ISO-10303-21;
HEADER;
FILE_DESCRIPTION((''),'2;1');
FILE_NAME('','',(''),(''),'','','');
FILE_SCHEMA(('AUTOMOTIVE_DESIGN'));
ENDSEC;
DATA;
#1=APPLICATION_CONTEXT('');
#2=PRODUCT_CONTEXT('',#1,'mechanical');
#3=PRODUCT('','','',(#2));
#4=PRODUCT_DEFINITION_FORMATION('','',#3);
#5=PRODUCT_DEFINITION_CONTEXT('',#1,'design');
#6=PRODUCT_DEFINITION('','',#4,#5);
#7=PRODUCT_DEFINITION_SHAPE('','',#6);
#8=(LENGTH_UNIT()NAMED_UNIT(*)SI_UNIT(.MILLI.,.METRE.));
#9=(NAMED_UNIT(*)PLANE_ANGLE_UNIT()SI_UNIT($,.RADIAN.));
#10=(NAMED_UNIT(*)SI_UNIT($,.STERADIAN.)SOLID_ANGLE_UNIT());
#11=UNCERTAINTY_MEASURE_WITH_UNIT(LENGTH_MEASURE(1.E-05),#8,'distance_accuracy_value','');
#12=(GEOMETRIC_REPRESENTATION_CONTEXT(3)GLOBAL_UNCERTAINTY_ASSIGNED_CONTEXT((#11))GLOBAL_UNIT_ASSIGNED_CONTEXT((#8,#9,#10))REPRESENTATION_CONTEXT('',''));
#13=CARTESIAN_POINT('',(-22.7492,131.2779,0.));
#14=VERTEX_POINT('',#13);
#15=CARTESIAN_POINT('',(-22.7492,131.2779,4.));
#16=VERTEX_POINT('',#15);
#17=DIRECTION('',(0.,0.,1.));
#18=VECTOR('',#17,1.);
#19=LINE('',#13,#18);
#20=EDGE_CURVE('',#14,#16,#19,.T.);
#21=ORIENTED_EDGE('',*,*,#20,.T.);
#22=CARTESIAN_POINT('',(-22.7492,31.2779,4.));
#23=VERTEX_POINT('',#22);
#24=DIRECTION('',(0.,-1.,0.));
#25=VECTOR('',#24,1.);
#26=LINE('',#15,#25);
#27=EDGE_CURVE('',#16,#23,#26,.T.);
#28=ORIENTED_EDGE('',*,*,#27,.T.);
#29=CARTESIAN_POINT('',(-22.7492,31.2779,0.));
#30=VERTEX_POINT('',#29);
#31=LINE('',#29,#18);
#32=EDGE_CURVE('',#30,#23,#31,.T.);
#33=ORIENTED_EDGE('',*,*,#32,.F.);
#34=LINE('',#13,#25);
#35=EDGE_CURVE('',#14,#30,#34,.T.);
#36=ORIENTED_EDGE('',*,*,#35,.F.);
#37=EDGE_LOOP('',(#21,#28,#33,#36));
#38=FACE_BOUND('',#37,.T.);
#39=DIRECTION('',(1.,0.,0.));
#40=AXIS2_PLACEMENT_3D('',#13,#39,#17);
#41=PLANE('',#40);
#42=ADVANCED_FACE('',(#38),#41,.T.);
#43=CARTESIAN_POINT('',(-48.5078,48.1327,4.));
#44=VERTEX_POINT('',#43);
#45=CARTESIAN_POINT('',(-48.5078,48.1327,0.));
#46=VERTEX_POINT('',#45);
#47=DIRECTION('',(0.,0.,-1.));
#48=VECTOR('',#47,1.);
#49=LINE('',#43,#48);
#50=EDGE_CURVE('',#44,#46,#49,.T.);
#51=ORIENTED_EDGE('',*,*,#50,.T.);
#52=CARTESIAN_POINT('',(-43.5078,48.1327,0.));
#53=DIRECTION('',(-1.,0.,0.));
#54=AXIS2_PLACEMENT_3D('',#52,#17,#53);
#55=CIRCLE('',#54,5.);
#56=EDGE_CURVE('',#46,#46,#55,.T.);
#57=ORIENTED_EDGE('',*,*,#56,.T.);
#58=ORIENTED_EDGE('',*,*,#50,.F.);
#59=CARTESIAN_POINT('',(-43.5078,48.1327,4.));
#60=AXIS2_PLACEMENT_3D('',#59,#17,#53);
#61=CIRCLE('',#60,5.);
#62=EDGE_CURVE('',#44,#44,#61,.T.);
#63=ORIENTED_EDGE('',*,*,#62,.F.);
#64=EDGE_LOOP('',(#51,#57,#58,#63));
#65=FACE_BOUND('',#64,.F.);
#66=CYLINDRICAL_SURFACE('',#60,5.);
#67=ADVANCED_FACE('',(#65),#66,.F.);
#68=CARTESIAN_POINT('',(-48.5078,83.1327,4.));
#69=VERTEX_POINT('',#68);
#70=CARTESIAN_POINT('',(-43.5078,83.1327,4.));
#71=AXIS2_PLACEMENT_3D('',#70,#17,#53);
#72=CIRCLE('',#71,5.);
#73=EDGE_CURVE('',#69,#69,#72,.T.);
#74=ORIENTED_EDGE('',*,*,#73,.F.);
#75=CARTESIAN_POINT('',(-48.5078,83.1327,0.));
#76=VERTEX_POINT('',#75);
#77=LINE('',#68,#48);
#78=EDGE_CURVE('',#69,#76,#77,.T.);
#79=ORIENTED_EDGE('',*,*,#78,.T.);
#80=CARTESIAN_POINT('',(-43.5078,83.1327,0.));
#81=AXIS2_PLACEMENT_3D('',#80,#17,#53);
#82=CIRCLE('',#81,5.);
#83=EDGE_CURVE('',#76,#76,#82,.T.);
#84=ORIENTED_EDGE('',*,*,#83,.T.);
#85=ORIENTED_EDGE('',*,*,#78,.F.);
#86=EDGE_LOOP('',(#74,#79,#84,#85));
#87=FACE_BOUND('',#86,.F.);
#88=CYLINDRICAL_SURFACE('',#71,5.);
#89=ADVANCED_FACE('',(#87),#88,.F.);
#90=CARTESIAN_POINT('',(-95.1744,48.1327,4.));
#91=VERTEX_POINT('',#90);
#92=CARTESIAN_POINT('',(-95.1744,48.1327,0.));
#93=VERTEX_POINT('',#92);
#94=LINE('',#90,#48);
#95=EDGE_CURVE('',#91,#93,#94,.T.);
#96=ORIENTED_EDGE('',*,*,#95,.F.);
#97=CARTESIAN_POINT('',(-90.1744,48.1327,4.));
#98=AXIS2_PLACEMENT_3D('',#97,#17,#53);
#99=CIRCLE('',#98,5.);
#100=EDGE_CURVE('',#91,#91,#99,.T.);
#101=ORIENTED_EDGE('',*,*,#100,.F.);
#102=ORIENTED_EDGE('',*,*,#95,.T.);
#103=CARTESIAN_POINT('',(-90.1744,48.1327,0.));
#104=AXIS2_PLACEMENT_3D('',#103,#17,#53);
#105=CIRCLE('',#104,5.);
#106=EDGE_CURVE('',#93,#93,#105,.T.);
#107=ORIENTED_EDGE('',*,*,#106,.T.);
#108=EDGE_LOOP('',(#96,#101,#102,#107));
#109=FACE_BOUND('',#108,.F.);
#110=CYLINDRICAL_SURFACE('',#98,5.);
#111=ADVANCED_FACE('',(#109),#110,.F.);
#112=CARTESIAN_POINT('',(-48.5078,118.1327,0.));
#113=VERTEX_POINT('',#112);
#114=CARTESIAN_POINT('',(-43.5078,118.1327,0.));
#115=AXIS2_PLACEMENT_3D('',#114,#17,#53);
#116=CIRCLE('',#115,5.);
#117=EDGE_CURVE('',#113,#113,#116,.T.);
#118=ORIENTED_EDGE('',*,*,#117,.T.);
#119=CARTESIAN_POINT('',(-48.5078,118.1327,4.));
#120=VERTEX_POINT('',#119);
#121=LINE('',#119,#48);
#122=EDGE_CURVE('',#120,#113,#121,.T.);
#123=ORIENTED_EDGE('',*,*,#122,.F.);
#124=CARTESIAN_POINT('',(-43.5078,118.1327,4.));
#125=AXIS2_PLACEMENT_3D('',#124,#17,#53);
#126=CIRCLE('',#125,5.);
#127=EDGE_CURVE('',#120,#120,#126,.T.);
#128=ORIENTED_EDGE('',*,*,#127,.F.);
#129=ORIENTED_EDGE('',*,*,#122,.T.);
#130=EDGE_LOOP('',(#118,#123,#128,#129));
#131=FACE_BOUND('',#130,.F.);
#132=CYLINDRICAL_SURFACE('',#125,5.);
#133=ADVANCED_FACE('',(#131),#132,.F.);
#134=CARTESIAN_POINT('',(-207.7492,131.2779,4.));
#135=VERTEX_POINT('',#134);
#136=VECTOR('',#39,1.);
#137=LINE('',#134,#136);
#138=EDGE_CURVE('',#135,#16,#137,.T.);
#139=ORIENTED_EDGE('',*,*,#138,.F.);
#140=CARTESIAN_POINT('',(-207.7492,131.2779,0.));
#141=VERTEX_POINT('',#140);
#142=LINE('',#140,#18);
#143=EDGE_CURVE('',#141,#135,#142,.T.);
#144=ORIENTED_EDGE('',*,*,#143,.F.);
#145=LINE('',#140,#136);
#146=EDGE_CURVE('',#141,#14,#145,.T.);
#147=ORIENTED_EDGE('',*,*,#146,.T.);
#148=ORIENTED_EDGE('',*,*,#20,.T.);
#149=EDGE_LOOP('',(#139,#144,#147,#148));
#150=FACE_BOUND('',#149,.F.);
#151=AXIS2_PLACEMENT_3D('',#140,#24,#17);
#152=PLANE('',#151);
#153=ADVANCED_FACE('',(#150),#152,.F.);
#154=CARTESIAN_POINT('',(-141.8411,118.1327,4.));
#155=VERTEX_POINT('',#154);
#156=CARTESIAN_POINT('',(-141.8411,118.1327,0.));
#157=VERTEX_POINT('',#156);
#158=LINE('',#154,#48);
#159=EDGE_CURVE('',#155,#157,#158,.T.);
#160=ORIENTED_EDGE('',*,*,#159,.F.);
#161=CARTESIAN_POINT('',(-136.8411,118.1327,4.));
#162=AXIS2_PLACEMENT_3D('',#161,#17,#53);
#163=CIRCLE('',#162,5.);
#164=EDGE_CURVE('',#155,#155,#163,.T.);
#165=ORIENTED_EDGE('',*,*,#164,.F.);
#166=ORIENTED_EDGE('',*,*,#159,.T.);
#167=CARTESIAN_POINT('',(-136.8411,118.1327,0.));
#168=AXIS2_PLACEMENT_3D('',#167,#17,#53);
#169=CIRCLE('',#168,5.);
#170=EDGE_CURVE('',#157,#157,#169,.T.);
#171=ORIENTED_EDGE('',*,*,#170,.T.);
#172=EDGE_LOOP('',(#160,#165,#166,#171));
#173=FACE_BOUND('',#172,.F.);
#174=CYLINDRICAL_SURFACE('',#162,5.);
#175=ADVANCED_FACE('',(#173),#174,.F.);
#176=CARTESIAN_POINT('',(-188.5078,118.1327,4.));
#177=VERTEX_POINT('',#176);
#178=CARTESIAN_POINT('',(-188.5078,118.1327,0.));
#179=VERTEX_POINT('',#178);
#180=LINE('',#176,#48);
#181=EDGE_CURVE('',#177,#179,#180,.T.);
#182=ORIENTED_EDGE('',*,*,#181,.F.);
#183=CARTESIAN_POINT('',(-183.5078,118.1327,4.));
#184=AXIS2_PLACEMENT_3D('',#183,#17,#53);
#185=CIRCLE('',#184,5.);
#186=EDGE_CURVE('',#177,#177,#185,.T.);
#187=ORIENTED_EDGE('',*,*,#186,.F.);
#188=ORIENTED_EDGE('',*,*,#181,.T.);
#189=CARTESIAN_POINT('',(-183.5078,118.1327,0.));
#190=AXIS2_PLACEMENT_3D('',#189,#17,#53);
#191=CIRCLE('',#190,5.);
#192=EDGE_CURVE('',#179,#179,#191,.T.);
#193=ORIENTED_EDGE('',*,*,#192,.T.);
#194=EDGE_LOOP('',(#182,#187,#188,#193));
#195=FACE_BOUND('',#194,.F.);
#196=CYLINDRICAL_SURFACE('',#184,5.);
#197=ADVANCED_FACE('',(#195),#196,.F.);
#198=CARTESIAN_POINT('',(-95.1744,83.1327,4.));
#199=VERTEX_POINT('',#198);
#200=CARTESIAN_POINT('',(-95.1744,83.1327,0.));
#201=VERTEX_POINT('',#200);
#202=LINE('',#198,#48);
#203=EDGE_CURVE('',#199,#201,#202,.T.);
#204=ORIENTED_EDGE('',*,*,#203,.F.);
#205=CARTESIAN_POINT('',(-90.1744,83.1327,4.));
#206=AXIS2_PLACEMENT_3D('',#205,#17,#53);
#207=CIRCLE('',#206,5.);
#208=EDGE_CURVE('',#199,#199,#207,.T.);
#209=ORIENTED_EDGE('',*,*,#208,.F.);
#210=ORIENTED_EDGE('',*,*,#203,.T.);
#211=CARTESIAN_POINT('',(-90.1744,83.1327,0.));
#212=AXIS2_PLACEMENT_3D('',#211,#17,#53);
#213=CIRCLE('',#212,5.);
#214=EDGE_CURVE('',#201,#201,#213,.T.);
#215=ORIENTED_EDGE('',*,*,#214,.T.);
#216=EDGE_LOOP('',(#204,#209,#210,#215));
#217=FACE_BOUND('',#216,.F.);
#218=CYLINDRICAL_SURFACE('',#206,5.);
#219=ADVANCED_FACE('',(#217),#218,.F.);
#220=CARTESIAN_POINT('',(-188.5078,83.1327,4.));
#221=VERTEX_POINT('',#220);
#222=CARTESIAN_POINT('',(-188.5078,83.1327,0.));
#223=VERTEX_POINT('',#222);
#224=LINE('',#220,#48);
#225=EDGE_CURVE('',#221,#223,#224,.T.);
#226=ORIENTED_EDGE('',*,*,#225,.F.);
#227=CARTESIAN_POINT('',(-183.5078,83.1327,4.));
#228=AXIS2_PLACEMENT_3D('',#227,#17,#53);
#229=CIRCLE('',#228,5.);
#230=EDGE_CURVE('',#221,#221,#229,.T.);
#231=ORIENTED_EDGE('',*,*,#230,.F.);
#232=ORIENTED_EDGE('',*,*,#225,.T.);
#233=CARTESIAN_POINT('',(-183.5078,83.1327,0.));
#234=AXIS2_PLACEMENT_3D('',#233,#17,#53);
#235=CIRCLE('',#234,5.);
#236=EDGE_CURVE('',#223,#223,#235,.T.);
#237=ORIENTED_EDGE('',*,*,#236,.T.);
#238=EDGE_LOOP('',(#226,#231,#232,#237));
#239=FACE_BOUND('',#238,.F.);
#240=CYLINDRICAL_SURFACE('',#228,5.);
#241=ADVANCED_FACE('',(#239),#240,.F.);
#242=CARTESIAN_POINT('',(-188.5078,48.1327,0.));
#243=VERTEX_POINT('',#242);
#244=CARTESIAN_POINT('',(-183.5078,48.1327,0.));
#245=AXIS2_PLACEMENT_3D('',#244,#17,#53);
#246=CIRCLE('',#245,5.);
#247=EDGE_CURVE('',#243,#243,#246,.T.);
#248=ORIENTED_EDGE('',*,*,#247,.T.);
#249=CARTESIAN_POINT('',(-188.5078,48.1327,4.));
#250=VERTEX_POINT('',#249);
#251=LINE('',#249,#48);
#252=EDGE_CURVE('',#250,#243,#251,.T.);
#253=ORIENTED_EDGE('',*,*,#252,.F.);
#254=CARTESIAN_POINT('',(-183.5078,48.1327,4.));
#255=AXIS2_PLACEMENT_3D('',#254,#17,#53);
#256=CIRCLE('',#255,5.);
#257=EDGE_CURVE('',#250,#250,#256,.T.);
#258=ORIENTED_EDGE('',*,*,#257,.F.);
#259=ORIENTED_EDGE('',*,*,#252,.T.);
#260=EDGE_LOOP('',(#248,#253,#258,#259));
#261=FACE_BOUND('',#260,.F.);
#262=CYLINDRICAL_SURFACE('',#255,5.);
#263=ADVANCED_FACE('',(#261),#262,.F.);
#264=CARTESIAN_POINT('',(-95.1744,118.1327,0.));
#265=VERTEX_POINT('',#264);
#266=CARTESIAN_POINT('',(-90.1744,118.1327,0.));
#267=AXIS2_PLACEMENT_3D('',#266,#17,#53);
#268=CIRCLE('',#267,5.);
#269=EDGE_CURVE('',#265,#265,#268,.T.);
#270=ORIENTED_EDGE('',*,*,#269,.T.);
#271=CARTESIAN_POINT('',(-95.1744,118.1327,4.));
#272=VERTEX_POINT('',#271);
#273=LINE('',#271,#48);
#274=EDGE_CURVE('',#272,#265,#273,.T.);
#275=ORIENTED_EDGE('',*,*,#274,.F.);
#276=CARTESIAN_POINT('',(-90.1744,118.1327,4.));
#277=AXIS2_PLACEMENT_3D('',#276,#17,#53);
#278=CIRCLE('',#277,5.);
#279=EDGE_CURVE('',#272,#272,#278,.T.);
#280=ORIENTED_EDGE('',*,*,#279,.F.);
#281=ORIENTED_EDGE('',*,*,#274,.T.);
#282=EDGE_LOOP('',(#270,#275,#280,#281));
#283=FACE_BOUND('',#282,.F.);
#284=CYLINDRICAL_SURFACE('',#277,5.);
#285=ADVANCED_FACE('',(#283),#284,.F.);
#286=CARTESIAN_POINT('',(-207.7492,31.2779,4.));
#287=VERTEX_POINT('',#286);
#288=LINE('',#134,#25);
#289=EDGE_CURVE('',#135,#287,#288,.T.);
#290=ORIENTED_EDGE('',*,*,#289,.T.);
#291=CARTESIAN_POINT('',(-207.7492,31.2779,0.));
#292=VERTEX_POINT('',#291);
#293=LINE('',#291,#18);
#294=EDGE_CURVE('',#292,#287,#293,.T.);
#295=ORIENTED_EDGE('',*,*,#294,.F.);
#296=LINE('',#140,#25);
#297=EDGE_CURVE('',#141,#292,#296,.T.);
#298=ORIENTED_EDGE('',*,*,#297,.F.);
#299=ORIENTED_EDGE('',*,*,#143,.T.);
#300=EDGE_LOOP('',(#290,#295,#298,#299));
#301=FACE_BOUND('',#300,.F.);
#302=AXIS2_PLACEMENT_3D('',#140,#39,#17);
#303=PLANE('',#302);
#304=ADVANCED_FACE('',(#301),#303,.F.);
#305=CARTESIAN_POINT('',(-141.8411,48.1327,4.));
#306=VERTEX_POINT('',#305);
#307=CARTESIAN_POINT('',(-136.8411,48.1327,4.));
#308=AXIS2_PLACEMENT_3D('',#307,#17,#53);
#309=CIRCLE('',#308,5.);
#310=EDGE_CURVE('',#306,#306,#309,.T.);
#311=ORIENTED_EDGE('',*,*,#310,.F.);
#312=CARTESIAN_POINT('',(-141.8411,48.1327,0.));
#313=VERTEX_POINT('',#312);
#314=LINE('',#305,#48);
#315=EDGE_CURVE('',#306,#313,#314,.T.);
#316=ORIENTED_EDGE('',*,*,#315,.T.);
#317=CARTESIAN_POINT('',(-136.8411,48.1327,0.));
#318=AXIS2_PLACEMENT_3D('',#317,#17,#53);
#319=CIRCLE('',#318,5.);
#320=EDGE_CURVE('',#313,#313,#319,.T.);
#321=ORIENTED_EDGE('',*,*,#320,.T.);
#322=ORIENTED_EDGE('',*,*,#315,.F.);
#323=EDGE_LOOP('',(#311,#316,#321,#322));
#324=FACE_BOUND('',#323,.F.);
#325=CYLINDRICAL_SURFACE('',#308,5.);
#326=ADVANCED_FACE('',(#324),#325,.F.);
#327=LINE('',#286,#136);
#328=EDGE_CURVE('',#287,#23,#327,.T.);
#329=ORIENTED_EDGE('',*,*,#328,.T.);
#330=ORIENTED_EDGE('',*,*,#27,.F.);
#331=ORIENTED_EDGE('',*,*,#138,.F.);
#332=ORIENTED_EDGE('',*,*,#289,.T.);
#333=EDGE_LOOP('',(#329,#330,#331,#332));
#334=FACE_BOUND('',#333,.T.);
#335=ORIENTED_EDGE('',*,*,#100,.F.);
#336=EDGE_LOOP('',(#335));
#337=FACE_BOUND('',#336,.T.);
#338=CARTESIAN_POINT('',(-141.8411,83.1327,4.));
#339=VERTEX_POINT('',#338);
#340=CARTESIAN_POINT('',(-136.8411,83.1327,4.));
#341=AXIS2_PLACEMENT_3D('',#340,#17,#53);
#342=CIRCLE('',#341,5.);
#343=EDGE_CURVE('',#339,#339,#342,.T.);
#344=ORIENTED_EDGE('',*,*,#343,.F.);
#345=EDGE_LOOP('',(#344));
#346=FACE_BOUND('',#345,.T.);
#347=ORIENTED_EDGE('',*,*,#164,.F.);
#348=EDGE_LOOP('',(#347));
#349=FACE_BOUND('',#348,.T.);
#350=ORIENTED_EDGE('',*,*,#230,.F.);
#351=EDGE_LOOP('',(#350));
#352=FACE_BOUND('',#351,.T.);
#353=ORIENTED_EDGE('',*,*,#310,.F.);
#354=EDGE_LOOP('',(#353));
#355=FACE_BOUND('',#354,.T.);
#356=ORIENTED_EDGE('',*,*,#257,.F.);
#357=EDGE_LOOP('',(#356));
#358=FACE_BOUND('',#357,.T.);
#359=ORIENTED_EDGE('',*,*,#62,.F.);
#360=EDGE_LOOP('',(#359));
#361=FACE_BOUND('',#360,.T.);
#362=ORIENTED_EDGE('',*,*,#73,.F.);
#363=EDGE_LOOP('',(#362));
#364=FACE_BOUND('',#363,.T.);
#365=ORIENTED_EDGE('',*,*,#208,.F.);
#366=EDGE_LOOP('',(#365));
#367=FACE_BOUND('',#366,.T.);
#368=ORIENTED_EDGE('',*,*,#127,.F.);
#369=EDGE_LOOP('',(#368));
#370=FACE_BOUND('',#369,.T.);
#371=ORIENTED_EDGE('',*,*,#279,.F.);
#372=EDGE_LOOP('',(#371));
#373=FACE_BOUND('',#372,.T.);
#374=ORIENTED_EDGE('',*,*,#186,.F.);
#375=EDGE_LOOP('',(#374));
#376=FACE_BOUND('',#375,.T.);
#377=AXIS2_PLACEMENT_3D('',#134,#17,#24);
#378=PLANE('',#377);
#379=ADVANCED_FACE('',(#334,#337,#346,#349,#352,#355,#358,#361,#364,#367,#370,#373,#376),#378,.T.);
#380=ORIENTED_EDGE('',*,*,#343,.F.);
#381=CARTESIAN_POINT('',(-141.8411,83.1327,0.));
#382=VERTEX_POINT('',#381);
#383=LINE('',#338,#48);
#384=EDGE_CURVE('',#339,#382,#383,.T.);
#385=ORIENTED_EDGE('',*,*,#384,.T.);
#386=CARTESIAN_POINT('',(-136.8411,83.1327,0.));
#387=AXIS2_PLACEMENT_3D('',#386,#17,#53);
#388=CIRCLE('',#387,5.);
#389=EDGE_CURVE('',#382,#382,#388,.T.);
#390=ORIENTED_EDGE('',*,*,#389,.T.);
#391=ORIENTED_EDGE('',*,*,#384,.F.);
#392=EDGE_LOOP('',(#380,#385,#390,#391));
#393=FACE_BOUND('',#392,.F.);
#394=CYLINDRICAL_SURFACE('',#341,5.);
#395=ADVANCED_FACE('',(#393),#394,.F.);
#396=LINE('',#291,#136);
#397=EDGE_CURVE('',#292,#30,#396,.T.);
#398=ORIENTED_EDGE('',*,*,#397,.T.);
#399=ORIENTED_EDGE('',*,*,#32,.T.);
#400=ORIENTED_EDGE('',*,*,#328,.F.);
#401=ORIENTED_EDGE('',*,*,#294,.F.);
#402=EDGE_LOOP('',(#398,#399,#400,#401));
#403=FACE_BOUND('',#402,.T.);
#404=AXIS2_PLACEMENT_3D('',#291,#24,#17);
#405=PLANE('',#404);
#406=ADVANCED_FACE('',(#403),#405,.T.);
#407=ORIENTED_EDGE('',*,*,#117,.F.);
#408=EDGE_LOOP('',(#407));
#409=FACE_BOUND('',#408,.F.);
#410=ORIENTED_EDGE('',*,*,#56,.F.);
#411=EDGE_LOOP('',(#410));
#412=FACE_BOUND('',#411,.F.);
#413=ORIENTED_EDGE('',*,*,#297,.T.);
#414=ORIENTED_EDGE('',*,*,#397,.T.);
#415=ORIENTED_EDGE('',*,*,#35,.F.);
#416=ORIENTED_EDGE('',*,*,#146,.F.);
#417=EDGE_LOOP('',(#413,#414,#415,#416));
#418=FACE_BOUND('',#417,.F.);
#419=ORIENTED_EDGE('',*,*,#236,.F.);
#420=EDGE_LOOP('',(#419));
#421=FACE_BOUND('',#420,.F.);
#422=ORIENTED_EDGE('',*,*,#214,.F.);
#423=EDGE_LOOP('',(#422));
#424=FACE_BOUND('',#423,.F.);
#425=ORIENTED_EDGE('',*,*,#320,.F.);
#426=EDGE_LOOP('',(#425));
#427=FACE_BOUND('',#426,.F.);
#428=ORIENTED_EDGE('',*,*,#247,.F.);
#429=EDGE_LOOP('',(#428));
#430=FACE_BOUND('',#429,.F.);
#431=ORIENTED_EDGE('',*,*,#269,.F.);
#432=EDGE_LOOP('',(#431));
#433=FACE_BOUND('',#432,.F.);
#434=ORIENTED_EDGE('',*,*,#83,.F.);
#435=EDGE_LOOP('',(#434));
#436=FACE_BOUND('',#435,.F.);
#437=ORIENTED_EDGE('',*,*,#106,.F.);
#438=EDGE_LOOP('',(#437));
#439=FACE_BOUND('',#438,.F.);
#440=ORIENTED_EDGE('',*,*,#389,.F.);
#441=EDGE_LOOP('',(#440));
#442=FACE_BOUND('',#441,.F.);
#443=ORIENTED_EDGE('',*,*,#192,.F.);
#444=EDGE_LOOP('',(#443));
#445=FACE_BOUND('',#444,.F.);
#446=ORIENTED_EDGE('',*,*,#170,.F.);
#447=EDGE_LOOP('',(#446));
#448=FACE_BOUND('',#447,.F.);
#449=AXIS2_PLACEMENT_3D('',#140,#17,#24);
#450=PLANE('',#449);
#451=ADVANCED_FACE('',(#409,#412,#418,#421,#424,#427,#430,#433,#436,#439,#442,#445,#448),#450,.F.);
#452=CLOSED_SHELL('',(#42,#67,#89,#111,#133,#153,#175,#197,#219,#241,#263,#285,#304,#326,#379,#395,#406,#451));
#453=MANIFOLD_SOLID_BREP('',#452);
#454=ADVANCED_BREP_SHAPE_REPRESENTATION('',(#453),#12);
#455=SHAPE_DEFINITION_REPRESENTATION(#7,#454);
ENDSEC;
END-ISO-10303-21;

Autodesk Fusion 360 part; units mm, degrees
box "BoxPrimitive1" add length 100 width 185 height 4 placed x (0, -1, 0) y (1, 0, 0) z (0, 0, 1) at (-207.7492, 131.2779, 0)
sketch "Sketch2" plane through (0, 0, 4) normal (0, 0, 1) x (-1, 0, 0)
  line L0 (207.7492, -31.2779) -> (22.7492, -31.2779)
  line L1 (22.7492, -31.2779) -> (22.7492, -131.2779)
  line L2 (22.7492, -131.2779) -> (207.7492, -131.2779)
  line L3 (207.7492, -131.2779) -> (207.7492, -31.2779)
  circle A0 centre (43.5078, -48.1327) radius 5
  circle A1 centre (90.1744, -48.1327) radius 5
  circle A2 centre (136.8411, -48.1327) radius 5
  circle A3 centre (183.5078, -48.1327) radius 5
  circle A4 centre (43.5078, -83.1327) radius 5
  circle A5 centre (43.5078, -118.1327) radius 5
  circle A6 centre (90.1744, -83.1327) radius 5
  circle A7 centre (136.8411, -83.1327) radius 5
  circle A8 centre (183.5078, -83.1327) radius 5
  circle A9 centre (90.1744, -118.1327) radius 5
  circle A10 centre (136.8411, -118.1327) radius 5
  circle A11 centre (183.5078, -118.1327) radius 5
  dimension "d7" = 10
  dimension "d10" = 140
  dimension "d11" = 0
  dimension "d14" = 0
  dimension "d15" = -70
  dimension "d18" = 140
  dimension "d19" = 0
  dimension "d22" = 140
  dimension "d23" = 0
extrude "Extrude1" cut sketch "Sketch2" against normal blind 5 contours A0 | A1 | A2 | A3 | A4 | A5 | A6 | A7 | A8 | A9 | A10 | A11
